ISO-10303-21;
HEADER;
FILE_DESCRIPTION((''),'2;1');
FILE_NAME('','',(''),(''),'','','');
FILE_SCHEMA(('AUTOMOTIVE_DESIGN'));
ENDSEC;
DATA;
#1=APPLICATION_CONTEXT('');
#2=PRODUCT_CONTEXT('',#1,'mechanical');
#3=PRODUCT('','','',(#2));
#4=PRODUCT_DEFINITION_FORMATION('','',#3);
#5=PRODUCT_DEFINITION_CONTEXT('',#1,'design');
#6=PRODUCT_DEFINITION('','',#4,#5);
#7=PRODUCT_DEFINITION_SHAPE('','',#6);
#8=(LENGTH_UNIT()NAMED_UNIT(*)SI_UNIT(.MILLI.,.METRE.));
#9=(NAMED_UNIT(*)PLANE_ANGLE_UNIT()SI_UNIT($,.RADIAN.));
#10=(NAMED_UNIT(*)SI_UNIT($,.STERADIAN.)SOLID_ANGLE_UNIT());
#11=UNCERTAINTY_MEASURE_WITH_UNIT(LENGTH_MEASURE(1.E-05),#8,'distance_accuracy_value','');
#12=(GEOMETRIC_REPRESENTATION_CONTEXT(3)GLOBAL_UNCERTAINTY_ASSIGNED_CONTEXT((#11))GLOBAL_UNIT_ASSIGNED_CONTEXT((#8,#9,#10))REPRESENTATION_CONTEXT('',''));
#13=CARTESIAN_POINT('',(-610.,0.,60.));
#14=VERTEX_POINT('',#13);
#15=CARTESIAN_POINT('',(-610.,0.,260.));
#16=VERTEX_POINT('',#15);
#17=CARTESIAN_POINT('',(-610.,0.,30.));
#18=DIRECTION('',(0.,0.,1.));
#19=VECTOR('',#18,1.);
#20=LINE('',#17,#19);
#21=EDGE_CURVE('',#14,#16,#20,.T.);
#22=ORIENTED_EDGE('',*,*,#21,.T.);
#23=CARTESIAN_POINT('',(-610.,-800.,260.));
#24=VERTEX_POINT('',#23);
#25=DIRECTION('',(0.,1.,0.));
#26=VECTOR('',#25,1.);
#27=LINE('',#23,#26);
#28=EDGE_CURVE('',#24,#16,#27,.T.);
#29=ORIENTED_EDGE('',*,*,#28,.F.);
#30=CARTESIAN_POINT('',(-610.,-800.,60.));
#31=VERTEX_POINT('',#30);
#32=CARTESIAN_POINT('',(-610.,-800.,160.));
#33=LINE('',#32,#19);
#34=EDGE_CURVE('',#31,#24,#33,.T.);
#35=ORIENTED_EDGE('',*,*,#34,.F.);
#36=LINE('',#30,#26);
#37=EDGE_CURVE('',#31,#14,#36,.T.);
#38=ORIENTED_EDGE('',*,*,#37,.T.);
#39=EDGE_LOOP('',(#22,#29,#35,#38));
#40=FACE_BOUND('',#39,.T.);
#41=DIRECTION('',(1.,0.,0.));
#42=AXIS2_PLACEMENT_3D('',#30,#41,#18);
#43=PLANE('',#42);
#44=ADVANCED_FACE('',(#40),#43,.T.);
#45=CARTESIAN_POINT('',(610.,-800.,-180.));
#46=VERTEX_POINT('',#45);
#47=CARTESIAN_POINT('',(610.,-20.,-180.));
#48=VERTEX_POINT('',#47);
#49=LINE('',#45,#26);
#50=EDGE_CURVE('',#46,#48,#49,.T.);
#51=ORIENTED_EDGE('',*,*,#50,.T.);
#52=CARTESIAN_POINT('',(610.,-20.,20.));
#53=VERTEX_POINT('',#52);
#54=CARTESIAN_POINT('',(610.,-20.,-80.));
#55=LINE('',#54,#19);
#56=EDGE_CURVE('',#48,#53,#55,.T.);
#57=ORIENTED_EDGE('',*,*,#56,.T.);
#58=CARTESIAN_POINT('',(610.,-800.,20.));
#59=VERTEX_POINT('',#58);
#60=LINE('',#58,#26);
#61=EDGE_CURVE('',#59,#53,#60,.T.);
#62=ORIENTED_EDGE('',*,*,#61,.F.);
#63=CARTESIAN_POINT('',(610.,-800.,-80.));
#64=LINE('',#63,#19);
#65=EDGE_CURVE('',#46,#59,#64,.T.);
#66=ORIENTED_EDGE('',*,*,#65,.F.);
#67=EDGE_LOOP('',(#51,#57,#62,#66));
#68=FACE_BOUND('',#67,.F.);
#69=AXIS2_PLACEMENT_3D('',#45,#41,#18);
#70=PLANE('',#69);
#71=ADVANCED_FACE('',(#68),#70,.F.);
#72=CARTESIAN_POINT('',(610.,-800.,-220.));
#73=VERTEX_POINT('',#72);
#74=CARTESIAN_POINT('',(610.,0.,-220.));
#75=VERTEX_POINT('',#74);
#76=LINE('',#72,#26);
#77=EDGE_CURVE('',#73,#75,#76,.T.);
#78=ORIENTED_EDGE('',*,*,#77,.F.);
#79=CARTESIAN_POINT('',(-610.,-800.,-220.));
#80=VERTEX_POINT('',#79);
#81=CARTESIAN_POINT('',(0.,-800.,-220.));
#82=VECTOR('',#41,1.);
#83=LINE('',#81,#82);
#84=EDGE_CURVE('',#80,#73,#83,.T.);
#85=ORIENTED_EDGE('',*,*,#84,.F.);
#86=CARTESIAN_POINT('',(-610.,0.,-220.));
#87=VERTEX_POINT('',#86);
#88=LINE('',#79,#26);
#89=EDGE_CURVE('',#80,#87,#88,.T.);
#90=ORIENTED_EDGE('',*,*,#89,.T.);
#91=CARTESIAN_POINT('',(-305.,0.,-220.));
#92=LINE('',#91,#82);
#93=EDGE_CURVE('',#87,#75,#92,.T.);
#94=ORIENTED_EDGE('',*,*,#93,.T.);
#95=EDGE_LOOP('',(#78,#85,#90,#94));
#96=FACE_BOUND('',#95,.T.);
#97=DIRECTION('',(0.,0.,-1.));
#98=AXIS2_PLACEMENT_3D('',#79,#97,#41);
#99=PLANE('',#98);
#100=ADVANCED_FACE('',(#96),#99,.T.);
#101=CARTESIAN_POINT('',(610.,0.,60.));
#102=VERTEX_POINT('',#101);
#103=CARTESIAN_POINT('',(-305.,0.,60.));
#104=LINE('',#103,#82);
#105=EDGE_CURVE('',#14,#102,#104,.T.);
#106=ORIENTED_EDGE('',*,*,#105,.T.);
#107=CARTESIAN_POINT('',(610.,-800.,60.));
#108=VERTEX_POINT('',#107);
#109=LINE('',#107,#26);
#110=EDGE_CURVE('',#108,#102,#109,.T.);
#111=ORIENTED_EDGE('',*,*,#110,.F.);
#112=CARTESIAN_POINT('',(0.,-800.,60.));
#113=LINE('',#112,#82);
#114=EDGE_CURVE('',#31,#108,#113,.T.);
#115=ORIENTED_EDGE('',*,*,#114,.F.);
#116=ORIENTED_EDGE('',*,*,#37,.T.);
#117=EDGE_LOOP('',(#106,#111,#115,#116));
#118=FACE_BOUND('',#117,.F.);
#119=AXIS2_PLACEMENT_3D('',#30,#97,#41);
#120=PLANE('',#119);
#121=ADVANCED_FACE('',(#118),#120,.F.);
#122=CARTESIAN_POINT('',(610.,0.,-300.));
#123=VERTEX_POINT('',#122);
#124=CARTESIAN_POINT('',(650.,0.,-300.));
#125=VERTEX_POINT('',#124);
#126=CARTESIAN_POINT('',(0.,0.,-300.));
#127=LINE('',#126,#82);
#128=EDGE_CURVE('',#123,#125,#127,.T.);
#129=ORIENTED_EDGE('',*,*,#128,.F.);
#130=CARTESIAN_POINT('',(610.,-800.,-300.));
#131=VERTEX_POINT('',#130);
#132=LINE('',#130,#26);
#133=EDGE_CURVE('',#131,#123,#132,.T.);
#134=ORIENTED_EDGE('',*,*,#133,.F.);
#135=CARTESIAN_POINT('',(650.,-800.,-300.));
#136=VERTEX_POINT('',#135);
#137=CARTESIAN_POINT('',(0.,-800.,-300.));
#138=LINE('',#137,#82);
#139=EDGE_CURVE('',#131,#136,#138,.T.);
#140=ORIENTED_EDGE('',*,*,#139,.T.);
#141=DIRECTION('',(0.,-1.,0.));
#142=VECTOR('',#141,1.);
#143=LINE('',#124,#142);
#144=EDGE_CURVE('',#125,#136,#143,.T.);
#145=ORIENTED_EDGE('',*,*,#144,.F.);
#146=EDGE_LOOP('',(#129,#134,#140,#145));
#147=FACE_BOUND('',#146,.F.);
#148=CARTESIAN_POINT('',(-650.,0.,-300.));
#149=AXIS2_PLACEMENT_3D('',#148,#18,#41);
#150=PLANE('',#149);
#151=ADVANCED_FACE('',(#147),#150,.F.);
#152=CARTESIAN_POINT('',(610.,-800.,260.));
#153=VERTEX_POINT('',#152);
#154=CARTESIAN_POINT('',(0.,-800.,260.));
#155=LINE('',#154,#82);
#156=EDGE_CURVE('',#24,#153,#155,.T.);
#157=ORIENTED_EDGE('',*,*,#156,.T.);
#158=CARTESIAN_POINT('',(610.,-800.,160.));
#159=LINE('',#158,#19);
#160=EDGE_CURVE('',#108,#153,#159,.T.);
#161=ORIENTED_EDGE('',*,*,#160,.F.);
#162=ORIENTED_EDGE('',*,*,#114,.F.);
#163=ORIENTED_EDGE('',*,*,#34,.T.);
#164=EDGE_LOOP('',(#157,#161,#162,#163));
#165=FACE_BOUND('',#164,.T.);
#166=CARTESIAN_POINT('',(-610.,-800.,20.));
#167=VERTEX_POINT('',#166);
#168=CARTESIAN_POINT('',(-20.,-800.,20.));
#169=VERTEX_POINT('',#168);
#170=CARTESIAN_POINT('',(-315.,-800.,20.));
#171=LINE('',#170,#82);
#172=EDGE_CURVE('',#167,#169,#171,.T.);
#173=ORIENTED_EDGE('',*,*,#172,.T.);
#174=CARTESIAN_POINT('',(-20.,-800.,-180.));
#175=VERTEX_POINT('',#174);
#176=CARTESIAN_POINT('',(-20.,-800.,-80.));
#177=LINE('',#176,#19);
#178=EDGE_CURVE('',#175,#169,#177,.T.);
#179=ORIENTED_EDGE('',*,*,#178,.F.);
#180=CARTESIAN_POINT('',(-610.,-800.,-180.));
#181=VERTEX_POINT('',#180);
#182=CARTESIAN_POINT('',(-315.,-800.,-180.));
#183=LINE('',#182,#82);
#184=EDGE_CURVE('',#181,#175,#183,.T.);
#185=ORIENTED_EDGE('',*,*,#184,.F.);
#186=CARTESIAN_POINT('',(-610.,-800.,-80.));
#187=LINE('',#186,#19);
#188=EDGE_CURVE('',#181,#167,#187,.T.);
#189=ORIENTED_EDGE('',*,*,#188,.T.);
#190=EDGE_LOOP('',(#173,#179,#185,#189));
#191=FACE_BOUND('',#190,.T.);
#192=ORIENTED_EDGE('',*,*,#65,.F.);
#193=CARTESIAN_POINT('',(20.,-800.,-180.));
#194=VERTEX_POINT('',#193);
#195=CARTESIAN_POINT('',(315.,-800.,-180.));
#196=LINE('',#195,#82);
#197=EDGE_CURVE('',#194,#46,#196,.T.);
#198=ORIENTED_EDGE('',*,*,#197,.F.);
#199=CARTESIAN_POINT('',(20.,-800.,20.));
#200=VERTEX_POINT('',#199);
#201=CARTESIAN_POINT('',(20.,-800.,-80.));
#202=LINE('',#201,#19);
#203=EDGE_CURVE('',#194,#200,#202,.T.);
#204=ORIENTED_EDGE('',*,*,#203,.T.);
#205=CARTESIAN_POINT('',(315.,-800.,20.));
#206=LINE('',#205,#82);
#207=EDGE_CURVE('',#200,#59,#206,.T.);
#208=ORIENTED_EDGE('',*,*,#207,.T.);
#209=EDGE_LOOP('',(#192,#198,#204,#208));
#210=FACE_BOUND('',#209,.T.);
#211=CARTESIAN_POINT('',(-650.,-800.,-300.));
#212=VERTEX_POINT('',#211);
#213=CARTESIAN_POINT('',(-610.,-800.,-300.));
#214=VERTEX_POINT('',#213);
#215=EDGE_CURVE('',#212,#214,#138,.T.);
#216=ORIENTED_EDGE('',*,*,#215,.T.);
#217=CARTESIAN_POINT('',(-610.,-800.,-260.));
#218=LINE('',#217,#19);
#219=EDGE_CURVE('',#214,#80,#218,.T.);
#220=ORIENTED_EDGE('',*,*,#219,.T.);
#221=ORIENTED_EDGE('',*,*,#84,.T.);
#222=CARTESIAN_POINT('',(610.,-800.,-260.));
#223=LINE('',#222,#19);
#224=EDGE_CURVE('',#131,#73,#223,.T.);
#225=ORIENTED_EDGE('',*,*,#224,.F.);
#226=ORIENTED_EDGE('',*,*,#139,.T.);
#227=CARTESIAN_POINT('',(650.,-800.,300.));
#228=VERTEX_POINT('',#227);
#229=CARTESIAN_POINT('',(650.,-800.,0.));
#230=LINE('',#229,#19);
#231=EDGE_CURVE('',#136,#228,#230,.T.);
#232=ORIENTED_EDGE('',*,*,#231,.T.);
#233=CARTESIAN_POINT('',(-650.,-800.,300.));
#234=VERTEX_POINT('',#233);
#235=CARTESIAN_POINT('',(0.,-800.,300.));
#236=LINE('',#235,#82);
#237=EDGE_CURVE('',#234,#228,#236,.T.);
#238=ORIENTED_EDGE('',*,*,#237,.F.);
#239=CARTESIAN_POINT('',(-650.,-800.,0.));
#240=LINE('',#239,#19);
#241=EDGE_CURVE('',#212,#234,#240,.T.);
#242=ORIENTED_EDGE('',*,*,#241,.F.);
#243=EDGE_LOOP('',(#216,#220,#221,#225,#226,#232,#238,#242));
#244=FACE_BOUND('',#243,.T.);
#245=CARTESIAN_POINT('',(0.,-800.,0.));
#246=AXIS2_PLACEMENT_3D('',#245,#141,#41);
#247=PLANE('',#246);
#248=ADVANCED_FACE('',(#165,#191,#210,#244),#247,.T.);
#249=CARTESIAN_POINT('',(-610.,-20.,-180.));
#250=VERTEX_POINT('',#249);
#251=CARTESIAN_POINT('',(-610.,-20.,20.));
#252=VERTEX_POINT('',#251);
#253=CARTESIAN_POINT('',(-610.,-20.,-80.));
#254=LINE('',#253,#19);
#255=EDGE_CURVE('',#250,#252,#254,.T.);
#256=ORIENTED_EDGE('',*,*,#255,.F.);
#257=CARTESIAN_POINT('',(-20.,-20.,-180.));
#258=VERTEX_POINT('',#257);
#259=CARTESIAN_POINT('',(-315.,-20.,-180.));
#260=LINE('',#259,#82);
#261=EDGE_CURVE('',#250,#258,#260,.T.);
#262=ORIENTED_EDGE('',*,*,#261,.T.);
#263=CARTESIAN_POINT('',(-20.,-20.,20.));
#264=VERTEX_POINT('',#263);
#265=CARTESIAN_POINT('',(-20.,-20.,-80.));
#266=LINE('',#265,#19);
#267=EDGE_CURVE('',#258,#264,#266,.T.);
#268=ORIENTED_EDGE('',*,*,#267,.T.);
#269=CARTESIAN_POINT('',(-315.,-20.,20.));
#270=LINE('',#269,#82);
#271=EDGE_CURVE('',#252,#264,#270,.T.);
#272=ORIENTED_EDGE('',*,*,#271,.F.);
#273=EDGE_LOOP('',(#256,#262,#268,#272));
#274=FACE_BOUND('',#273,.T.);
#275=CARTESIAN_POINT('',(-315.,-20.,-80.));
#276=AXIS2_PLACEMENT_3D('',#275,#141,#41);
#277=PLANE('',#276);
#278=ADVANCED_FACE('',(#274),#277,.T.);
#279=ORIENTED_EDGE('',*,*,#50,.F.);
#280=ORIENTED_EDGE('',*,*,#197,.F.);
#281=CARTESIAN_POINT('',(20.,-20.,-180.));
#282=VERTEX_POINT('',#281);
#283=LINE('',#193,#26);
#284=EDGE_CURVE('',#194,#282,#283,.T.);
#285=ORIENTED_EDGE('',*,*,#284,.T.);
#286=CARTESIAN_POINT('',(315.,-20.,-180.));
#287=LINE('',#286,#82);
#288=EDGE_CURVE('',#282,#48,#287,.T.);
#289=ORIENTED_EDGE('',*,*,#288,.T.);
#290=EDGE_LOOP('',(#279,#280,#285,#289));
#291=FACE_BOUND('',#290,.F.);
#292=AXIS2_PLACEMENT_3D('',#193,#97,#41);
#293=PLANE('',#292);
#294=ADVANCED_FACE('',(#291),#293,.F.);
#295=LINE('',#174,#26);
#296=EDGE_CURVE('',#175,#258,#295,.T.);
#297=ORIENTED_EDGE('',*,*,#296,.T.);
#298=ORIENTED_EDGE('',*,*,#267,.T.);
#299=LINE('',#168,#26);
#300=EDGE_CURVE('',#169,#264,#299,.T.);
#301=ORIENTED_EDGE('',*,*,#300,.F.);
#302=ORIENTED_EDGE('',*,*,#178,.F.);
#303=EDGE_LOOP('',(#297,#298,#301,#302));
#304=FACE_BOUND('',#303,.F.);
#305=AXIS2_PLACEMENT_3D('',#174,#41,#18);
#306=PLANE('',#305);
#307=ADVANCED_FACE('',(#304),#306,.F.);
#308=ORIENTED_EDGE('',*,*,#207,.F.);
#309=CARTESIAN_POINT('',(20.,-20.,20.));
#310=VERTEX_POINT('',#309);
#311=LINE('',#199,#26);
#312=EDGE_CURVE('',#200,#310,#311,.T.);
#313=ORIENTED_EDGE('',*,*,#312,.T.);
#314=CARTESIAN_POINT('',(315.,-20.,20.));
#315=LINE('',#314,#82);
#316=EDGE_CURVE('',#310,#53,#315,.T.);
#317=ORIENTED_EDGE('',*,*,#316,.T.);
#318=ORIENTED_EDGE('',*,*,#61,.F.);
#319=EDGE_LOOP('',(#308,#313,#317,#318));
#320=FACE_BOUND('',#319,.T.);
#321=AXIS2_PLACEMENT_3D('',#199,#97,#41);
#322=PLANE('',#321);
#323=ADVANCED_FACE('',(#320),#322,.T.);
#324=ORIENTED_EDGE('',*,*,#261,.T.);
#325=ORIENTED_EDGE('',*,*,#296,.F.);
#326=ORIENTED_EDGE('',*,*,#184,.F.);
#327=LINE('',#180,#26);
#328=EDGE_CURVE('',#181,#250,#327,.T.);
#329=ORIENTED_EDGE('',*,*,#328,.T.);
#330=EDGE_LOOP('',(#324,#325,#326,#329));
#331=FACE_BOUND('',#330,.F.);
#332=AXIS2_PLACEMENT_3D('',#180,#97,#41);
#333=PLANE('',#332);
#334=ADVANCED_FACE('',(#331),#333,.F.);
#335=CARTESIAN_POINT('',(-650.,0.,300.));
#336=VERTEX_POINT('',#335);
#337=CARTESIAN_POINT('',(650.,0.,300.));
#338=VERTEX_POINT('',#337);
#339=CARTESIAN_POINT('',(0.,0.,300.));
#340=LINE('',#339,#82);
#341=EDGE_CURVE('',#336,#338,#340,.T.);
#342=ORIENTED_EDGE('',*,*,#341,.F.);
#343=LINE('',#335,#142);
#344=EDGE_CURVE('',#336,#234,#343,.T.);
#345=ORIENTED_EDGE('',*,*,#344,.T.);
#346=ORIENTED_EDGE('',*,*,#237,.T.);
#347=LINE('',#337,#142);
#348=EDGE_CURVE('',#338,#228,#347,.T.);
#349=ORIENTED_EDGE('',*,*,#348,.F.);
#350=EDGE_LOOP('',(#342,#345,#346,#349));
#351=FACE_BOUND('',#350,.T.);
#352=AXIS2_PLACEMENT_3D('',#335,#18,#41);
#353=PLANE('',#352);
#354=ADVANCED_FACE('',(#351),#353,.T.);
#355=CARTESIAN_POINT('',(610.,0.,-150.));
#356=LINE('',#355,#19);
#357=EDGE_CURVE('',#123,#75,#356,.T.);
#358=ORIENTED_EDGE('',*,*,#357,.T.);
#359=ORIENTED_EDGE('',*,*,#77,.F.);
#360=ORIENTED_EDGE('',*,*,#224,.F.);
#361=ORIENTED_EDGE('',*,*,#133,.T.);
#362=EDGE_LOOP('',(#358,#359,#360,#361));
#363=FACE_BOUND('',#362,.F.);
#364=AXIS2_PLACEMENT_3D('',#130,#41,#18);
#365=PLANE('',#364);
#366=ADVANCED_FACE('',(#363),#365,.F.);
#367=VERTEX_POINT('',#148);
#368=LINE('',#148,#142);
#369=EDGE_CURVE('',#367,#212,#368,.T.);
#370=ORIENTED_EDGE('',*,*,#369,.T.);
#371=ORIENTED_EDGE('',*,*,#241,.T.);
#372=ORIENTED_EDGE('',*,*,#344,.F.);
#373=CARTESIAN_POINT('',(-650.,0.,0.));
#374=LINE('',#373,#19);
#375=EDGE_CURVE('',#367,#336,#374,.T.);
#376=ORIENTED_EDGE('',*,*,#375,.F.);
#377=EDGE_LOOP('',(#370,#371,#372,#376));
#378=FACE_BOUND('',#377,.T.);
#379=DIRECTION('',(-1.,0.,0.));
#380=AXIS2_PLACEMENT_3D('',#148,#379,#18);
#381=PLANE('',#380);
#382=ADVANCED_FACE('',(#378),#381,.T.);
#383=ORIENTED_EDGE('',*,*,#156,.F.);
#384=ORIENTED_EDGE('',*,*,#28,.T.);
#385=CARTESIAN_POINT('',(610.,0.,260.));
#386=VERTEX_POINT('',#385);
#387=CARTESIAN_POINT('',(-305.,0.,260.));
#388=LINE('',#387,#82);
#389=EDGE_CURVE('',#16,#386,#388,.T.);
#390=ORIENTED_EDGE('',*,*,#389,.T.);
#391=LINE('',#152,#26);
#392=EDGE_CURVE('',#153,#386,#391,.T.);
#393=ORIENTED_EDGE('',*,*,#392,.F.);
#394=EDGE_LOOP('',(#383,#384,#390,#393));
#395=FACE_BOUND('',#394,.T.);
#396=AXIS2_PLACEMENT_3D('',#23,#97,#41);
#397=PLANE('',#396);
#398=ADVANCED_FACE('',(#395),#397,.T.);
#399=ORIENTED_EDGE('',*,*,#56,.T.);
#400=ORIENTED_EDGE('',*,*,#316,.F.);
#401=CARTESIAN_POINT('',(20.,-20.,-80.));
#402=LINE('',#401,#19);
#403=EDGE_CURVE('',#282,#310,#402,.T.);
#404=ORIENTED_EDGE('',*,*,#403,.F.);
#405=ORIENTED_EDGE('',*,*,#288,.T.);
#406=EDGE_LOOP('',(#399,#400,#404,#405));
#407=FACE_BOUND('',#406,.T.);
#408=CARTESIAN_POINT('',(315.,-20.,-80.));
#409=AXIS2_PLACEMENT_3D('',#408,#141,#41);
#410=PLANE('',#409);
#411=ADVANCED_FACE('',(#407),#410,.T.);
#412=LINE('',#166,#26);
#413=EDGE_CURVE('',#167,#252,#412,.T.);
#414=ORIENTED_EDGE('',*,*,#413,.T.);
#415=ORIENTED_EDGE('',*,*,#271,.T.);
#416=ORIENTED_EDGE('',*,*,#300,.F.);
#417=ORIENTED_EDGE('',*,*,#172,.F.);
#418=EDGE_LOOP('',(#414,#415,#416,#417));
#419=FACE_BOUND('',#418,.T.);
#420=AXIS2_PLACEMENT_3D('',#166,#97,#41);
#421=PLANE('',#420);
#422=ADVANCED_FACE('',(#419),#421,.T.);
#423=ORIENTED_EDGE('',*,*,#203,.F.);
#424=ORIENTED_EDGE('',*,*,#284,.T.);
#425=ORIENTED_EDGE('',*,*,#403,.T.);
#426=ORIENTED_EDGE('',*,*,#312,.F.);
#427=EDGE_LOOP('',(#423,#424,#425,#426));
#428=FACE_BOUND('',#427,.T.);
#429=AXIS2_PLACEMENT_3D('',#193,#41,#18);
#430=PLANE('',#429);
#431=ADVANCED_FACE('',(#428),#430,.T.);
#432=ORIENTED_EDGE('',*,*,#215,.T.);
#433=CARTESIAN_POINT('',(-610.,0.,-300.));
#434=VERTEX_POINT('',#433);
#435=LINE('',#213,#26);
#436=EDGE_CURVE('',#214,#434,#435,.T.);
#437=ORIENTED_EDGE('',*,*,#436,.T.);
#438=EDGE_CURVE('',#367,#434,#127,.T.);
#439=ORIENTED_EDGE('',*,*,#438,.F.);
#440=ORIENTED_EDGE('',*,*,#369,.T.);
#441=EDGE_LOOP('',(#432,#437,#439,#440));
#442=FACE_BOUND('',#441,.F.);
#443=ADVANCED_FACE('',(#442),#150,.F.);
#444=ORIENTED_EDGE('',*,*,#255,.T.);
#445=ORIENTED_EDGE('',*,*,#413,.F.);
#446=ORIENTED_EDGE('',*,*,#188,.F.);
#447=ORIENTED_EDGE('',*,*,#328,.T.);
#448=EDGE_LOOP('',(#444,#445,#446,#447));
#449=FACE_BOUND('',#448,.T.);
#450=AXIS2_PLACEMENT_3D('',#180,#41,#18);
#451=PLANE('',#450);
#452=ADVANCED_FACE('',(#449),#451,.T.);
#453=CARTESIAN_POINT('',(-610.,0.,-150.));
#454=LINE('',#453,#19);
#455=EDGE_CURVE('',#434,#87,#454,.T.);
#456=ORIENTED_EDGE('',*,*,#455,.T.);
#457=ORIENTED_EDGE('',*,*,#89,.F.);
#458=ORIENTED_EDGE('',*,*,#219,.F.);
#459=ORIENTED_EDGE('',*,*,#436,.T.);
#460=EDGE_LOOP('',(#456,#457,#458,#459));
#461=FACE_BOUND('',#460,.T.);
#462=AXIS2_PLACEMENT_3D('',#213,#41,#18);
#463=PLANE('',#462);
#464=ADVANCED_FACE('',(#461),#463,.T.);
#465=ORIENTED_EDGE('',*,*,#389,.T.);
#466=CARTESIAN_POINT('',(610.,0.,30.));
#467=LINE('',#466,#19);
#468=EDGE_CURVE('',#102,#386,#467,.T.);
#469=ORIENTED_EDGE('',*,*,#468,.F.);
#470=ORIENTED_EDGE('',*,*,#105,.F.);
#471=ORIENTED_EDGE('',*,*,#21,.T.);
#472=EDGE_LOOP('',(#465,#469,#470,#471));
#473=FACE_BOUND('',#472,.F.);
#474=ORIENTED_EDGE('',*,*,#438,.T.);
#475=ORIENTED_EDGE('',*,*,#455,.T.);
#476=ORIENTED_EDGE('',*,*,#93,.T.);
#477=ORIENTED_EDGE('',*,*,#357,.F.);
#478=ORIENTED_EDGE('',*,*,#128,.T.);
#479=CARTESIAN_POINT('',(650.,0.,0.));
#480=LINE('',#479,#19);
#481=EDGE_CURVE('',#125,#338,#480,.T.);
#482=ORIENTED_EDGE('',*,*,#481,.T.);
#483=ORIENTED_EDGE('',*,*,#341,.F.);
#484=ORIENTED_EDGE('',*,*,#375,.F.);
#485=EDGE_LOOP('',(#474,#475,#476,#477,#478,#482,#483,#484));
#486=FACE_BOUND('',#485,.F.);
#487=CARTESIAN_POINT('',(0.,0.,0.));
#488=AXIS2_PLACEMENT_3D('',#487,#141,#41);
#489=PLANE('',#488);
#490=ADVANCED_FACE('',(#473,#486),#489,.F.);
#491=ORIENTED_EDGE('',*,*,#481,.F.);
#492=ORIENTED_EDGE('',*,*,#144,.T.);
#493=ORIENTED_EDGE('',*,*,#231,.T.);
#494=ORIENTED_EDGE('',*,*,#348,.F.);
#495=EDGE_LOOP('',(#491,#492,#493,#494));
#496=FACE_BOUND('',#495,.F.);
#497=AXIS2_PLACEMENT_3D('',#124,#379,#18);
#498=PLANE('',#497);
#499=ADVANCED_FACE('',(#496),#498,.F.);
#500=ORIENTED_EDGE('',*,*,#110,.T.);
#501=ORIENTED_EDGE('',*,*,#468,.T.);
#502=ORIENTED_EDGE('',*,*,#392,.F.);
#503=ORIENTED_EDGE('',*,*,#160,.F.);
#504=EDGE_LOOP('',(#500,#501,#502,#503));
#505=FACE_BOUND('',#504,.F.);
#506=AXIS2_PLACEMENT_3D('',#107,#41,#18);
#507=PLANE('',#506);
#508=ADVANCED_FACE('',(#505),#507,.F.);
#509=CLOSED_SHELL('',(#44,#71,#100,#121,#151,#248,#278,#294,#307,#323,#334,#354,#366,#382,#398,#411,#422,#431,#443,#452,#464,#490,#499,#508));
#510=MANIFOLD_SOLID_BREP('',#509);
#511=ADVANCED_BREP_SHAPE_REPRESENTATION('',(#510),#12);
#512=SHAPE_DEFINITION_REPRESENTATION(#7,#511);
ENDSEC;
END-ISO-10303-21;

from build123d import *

# Parameters (mm, degrees)
F0_W     = 1300
F0_H     = 600
F1_DEPTH = 800
F2_W     = 1220
F2_H     = 80
F3_DEPTH = 800.001
F4_W     = 1220
F4_H     = 200
F5_DEPTH = 800.001
F6_W     = 590
F6_H     = 200
F7_DEPTH = 780


with BuildPart() as f1:
    # F0 (on Front) → F1 (new body)
    with BuildSketch(Plane.XZ):
        Rectangle(F0_W, F0_H)
    extrude(amount=F1_DEPTH)

    # F2 (on face) → F3 (cut, through all)
    with BuildSketch(Plane.XZ.offset(800)):
        with Locations((0, -260)):
            Rectangle(F2_W, F2_H)
    extrude(amount=-F3_DEPTH, mode=Mode.SUBTRACT)

    # F4 (on face) → F5 (cut, through all)
    with BuildSketch(Plane.XZ.offset(800)):
        with Locations((0, 160)):
            Rectangle(F4_W, F4_H)
    extrude(amount=-F5_DEPTH, mode=Mode.SUBTRACT)

    # F6 (on face) → F7 (cut)
    with BuildSketch(Plane.XZ.offset(800)):
        with Locations((-315, -80)):
            Rectangle(F6_W, F6_H)
        with Locations((315, -80)):
            Rectangle(F6_W, F6_H)
    extrude(amount=-F7_DEPTH, mode=Mode.SUBTRACT)


solid = f1.part
